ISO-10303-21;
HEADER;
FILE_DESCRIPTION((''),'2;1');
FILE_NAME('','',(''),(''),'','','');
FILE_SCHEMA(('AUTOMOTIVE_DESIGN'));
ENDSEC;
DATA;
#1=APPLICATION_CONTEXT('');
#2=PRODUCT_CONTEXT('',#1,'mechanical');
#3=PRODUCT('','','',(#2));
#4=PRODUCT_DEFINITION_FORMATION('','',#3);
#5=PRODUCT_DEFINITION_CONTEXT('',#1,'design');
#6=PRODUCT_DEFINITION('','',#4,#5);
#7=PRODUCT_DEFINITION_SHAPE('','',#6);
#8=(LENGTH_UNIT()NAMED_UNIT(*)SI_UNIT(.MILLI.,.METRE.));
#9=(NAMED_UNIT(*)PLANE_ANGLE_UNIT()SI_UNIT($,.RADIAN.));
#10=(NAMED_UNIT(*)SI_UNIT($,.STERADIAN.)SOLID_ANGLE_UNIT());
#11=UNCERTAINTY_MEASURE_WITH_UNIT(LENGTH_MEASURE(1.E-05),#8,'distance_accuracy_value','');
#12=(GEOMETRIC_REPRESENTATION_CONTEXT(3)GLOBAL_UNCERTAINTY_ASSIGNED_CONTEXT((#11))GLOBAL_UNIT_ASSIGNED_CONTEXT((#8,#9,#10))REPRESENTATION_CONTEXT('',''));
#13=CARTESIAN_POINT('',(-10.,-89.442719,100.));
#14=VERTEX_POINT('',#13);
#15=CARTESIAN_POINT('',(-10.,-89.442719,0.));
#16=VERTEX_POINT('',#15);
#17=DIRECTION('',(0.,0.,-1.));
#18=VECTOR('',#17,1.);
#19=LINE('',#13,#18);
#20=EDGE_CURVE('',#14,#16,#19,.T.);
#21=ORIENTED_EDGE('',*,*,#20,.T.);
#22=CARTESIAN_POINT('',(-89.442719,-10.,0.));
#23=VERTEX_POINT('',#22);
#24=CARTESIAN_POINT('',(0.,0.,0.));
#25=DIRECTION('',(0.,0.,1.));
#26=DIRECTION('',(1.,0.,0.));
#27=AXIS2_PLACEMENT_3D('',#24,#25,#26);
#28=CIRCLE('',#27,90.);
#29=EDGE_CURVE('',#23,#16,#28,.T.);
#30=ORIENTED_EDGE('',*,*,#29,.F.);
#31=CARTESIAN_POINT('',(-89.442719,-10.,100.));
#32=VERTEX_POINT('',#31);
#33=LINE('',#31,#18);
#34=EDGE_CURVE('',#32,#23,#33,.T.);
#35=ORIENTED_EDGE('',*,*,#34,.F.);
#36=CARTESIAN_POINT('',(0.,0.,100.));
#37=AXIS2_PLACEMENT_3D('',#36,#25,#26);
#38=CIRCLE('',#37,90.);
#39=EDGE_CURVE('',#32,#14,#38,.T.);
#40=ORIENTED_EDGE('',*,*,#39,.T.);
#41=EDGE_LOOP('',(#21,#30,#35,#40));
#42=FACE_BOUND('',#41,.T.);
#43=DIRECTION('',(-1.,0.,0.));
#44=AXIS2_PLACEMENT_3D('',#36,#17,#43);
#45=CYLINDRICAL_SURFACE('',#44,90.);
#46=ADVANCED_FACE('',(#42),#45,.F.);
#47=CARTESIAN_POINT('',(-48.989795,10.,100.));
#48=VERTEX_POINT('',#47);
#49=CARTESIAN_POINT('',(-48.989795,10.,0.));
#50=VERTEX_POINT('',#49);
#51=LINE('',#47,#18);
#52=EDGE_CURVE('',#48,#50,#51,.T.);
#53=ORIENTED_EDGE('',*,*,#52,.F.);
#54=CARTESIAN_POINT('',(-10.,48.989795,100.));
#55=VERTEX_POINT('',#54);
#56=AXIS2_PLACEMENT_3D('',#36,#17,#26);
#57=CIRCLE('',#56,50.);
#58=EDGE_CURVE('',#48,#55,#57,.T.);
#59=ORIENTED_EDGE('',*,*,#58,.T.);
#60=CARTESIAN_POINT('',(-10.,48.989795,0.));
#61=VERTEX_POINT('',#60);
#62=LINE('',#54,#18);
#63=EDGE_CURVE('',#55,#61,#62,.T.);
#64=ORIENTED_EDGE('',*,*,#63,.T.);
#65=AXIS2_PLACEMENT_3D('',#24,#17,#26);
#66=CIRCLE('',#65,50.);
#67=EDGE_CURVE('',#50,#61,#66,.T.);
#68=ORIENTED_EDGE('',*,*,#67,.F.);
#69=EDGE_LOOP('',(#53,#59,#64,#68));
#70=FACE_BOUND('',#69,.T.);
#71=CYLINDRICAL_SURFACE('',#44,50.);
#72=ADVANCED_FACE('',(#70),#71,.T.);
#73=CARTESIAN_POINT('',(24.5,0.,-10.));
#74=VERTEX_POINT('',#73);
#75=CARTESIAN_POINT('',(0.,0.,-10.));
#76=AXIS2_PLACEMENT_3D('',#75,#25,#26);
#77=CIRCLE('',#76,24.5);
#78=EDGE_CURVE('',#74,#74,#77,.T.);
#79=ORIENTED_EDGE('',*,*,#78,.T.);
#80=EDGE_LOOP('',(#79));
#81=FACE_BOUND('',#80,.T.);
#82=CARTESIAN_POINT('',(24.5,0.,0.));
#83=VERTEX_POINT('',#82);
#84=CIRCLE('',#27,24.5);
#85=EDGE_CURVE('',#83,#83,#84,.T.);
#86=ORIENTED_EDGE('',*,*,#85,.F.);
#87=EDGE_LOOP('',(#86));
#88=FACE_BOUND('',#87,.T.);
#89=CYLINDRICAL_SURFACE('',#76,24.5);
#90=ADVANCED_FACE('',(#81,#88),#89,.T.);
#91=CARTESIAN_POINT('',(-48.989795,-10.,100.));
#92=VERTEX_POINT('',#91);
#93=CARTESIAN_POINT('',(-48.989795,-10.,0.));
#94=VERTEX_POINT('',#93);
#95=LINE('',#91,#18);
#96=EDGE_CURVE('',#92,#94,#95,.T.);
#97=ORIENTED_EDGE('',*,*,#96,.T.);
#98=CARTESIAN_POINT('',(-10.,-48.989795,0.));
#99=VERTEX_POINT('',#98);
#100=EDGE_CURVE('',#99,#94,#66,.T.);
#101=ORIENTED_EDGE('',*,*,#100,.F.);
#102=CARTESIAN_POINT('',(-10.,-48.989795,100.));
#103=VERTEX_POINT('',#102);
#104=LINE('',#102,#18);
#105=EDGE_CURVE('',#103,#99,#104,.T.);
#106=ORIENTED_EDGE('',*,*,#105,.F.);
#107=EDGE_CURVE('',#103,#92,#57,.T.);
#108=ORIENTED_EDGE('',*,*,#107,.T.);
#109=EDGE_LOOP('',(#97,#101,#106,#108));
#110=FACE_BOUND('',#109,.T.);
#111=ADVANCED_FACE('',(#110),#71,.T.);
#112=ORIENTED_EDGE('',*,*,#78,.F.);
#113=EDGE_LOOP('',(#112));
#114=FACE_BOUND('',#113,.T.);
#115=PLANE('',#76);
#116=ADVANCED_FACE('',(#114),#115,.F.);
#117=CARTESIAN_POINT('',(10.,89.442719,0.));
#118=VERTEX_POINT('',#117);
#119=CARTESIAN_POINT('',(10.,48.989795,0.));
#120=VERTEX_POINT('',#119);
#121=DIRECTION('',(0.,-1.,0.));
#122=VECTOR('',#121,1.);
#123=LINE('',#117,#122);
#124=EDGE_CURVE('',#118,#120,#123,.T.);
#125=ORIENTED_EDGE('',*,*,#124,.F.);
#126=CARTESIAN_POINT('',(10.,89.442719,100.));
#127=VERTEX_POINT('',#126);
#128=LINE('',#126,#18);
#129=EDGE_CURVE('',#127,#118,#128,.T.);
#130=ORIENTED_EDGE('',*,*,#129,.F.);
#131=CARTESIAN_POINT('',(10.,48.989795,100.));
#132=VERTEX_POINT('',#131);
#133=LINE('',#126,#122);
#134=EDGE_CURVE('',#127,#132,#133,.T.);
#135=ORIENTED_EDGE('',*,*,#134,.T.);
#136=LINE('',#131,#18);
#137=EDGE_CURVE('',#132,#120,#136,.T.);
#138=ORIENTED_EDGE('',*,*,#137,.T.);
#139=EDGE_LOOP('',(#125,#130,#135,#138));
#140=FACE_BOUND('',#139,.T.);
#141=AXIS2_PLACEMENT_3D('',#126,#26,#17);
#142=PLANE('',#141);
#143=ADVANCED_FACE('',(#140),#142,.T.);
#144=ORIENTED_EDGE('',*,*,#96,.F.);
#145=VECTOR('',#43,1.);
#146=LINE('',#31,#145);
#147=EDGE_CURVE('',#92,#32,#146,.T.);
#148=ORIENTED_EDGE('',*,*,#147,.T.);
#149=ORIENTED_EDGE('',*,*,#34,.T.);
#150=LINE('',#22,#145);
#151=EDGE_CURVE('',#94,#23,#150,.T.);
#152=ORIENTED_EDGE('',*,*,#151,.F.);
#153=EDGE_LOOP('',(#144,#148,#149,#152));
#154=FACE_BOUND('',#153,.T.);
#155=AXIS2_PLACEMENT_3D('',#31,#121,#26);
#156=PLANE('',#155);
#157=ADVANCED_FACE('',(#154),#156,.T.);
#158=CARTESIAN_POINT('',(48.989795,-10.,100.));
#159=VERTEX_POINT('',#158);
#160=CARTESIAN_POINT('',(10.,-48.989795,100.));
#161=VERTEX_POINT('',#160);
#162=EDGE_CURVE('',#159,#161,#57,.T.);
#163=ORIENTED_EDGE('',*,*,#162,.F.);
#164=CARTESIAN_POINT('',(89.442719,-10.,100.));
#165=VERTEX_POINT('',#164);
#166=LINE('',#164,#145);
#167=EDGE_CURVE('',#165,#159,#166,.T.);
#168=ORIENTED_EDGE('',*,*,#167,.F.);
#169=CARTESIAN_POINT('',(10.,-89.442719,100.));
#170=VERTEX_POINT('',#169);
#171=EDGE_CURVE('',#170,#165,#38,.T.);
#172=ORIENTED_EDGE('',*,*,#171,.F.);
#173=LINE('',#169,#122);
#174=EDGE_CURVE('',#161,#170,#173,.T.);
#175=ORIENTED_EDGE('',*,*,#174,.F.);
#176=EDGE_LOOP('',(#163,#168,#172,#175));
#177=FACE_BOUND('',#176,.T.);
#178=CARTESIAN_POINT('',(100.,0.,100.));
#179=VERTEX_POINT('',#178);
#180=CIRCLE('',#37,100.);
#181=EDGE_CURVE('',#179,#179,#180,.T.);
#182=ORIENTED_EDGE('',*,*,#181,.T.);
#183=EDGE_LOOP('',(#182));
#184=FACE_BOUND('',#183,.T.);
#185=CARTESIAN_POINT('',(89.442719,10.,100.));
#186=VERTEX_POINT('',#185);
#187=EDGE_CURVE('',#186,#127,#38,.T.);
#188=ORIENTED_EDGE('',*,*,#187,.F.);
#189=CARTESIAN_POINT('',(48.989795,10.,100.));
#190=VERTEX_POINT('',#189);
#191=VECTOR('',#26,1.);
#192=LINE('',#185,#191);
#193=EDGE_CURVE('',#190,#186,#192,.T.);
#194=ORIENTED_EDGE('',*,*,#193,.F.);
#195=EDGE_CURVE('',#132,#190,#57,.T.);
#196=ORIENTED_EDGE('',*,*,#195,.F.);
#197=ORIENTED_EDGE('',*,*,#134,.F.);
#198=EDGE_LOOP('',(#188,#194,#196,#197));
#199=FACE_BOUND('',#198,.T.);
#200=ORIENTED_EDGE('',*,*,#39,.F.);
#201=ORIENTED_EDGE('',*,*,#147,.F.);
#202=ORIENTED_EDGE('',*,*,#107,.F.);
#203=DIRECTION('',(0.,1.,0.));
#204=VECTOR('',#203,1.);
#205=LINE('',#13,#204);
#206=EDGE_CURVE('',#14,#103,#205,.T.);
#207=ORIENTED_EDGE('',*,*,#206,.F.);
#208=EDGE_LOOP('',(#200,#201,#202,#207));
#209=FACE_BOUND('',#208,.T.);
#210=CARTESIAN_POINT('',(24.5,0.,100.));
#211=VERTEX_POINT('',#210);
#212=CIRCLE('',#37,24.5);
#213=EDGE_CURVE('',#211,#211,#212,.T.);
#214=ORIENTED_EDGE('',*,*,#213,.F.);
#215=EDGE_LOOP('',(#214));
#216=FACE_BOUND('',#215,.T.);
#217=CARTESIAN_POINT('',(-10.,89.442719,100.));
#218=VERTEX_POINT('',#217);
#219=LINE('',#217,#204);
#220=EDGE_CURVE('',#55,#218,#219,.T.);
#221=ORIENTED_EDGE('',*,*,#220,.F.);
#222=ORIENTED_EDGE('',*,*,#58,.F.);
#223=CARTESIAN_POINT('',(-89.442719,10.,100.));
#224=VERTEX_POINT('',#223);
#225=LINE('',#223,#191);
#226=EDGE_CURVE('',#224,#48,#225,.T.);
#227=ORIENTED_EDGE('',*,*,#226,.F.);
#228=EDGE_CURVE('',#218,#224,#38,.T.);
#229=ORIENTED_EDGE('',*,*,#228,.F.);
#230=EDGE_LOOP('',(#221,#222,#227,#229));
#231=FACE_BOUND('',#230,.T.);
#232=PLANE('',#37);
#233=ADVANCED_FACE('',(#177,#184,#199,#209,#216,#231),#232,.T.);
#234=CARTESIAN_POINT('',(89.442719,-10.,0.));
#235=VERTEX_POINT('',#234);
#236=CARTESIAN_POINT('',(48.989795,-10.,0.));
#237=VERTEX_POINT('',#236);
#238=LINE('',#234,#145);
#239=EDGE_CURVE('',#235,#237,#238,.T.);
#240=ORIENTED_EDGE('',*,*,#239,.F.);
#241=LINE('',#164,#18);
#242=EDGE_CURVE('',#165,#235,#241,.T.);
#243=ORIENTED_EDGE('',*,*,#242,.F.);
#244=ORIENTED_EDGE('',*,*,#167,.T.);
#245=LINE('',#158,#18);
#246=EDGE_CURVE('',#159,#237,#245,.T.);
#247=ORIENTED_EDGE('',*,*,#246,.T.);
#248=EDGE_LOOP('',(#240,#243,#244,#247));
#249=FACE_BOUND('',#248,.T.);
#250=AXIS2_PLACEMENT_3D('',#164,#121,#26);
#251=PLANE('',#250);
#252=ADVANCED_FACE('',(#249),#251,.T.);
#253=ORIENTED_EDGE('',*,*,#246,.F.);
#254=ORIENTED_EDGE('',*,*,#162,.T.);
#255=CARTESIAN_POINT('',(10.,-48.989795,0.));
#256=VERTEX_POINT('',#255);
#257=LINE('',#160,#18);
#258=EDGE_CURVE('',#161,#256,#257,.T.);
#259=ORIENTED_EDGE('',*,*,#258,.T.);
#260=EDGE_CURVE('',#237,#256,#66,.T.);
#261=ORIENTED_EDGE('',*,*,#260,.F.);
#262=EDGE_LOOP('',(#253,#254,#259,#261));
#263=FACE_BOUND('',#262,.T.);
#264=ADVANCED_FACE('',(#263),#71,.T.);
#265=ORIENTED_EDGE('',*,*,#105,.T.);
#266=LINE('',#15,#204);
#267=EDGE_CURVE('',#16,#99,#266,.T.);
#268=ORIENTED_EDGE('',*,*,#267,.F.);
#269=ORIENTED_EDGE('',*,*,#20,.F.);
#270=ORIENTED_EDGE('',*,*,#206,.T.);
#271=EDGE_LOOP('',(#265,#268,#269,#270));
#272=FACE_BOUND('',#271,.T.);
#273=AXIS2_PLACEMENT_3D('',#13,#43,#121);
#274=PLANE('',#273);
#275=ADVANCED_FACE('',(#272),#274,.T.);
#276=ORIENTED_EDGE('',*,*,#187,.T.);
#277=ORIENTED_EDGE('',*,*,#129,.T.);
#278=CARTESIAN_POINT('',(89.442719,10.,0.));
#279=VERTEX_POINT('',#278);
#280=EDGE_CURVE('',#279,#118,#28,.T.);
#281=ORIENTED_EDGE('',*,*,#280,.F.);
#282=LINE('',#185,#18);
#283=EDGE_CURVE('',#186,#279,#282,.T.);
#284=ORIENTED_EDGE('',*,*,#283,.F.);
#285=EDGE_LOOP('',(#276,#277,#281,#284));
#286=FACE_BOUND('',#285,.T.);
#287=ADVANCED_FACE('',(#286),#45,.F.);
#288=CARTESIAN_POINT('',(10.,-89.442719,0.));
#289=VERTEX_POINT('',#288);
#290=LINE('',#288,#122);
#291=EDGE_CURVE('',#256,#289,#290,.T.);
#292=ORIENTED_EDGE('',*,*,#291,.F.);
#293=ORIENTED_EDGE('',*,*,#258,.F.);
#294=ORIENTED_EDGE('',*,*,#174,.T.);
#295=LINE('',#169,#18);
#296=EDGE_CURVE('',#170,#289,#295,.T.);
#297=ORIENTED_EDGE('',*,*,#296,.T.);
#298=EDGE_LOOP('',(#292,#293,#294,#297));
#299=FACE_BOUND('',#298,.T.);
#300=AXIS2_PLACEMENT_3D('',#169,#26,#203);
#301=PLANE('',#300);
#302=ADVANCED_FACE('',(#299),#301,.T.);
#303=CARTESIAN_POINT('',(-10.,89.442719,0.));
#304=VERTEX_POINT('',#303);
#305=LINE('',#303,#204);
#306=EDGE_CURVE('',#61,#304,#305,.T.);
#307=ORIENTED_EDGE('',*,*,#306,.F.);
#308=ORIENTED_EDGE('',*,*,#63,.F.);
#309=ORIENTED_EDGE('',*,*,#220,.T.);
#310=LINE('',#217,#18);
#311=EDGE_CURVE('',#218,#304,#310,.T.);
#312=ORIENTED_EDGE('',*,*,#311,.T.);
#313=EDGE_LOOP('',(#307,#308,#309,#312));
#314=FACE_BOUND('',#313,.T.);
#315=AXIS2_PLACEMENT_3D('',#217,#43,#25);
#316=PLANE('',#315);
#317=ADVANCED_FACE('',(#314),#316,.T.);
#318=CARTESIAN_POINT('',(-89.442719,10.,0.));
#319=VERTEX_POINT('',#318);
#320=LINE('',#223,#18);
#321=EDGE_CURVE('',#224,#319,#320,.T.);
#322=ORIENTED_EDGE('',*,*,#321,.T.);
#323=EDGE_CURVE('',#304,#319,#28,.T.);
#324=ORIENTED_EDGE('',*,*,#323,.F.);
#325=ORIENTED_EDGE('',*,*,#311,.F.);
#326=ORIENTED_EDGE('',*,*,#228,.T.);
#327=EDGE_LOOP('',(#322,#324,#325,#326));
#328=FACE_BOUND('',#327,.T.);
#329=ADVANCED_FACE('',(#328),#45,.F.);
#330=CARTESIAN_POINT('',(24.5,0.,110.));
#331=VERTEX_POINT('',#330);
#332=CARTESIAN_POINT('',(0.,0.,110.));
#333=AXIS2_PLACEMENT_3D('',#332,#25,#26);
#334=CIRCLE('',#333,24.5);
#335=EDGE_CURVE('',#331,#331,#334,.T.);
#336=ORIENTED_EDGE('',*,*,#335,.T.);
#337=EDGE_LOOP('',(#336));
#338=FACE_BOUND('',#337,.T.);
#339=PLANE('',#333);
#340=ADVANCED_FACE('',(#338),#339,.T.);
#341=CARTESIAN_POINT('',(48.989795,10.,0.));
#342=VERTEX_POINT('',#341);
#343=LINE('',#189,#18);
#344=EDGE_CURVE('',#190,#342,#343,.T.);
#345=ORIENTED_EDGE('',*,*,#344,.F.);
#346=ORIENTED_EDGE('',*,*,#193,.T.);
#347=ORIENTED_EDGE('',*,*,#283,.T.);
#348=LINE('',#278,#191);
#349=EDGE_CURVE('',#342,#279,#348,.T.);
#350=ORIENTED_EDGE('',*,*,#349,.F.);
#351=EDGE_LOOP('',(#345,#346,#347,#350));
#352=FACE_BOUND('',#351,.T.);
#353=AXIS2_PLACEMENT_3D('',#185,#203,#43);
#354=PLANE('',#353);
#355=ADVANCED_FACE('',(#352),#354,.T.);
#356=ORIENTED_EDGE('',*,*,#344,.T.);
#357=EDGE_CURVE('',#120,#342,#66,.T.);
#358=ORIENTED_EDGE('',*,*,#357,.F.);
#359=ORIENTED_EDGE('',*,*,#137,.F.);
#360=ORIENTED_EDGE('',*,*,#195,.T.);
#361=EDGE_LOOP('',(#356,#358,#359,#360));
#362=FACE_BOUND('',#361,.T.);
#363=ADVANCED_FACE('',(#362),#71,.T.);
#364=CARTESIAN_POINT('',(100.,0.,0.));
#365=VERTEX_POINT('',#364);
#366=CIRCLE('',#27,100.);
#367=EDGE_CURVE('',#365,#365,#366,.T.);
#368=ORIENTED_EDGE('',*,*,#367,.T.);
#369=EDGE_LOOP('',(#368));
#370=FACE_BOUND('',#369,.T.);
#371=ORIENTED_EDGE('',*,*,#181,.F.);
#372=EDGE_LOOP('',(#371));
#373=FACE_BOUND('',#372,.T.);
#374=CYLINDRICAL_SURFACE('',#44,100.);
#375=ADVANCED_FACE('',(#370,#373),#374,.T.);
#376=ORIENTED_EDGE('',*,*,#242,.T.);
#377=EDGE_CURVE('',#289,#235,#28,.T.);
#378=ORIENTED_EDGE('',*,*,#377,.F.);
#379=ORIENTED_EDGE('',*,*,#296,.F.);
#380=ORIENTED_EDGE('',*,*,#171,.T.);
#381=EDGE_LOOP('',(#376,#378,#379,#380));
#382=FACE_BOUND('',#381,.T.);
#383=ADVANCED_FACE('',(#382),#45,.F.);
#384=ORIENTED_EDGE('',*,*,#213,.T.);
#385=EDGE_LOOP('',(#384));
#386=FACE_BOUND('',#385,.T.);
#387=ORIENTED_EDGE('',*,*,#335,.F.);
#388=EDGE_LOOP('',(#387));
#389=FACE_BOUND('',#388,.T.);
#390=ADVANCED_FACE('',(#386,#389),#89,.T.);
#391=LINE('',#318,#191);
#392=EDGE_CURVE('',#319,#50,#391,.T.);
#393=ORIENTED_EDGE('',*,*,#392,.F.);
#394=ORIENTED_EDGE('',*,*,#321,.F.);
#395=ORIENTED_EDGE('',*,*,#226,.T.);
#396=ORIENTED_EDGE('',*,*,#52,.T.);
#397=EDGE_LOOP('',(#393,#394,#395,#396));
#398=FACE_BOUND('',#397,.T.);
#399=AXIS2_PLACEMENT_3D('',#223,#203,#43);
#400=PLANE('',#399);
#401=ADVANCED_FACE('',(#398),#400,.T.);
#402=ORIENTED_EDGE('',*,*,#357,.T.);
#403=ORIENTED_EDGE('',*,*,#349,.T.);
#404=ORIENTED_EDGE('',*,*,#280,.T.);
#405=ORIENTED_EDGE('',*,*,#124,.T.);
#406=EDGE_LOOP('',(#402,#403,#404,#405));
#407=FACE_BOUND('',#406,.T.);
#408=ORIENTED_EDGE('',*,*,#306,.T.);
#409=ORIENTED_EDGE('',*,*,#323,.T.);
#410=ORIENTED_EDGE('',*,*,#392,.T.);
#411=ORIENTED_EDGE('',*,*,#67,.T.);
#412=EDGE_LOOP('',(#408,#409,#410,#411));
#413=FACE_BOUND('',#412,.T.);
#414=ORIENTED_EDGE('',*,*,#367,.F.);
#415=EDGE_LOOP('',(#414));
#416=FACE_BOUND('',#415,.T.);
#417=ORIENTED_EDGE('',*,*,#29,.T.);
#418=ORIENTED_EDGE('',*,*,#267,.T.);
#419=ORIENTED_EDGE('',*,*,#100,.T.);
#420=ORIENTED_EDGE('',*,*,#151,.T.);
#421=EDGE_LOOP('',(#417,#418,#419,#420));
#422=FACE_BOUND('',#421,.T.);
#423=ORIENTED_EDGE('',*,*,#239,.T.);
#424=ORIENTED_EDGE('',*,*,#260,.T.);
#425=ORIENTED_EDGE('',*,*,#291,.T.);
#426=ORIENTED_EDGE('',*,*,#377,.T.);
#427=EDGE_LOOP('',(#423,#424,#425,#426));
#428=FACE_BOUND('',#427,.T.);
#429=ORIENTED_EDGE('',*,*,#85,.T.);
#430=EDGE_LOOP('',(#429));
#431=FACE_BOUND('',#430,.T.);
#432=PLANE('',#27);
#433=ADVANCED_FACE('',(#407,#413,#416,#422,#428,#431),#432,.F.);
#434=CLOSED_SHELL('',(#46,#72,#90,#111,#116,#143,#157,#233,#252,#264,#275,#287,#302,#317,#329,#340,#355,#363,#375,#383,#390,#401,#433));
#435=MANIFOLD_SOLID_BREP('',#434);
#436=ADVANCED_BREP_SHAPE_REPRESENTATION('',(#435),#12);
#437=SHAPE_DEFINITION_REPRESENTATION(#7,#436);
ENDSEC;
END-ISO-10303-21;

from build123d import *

# Parameters (mm, degrees)
SKETCH1_R                = 100
BOSS_EXTRUDE1_DEPTH      = 100
BOSS_EXTRUDE2_DEPTH      = 10
BOSS_EXTRUDE2_DEPTH_BACK = 110
SKETCH2_R                = 24.5


with BuildPart() as part:
    # Sketch1 → Boss-Extrude1 (new body)
    with BuildSketch(Plane.XY):
        Circle(SKETCH1_R)
        with BuildLine():
            Line((-10, 89.4427191), (-10, 48.989794856))
            ThreePointArc((-10, 48.989794856), (-35.355339059, 35.355339059), (-48.989794856, 10))
            Line((-48.989794856, 10), (-89.4427191, 10))
            ThreePointArc((-89.4427191, 10), (-63.639610307, 63.639610307), (-10, 89.4427191))
        make_face(mode=Mode.SUBTRACT)
        with BuildLine():
            Line((10, 89.4427191), (10, 48.989794856))
            ThreePointArc((10, 48.989794856), (35.355339059, 35.355339059), (48.989794856, 10))
            Line((48.989794856, 10), (89.4427191, 10))
            ThreePointArc((89.4427191, 10), (63.639610307, 63.639610307), (10, 89.4427191))
        make_face(mode=Mode.SUBTRACT)
        with BuildLine():
            Line((89.4427191, -10), (48.989794856, -10))
            ThreePointArc((48.989794856, -10), (35.355339059, -35.355339059), (10, -48.989794856))
            Line((10, -48.989794856), (10, -89.4427191))
            ThreePointArc((10, -89.4427191), (63.639610307, -63.639610307), (89.4427191, -10))
        make_face(mode=Mode.SUBTRACT)
        with BuildLine():
            Line((-10, -89.4427191), (-10, -48.989794856))
            ThreePointArc((-10, -48.989794856), (-35.355339059, -35.355339059), (-48.989794856, -10))
            Line((-48.989794856, -10), (-89.4427191, -10))
            ThreePointArc((-89.4427191, -10), (-63.639610307, -63.639610307), (-10, -89.4427191))
        make_face(mode=Mode.SUBTRACT)
    extrude(amount=BOSS_EXTRUDE1_DEPTH)

    # Sketch2 → Boss-Extrude2 (add, two sides: drawn at the far end of the back side and taken through both)
    with BuildSketch(Plane.XY.offset(100).offset(-BOSS_EXTRUDE2_DEPTH_BACK)):
        Circle(SKETCH2_R)
    extrude(amount=BOSS_EXTRUDE2_DEPTH + BOSS_EXTRUDE2_DEPTH_BACK)


solid = part.part
